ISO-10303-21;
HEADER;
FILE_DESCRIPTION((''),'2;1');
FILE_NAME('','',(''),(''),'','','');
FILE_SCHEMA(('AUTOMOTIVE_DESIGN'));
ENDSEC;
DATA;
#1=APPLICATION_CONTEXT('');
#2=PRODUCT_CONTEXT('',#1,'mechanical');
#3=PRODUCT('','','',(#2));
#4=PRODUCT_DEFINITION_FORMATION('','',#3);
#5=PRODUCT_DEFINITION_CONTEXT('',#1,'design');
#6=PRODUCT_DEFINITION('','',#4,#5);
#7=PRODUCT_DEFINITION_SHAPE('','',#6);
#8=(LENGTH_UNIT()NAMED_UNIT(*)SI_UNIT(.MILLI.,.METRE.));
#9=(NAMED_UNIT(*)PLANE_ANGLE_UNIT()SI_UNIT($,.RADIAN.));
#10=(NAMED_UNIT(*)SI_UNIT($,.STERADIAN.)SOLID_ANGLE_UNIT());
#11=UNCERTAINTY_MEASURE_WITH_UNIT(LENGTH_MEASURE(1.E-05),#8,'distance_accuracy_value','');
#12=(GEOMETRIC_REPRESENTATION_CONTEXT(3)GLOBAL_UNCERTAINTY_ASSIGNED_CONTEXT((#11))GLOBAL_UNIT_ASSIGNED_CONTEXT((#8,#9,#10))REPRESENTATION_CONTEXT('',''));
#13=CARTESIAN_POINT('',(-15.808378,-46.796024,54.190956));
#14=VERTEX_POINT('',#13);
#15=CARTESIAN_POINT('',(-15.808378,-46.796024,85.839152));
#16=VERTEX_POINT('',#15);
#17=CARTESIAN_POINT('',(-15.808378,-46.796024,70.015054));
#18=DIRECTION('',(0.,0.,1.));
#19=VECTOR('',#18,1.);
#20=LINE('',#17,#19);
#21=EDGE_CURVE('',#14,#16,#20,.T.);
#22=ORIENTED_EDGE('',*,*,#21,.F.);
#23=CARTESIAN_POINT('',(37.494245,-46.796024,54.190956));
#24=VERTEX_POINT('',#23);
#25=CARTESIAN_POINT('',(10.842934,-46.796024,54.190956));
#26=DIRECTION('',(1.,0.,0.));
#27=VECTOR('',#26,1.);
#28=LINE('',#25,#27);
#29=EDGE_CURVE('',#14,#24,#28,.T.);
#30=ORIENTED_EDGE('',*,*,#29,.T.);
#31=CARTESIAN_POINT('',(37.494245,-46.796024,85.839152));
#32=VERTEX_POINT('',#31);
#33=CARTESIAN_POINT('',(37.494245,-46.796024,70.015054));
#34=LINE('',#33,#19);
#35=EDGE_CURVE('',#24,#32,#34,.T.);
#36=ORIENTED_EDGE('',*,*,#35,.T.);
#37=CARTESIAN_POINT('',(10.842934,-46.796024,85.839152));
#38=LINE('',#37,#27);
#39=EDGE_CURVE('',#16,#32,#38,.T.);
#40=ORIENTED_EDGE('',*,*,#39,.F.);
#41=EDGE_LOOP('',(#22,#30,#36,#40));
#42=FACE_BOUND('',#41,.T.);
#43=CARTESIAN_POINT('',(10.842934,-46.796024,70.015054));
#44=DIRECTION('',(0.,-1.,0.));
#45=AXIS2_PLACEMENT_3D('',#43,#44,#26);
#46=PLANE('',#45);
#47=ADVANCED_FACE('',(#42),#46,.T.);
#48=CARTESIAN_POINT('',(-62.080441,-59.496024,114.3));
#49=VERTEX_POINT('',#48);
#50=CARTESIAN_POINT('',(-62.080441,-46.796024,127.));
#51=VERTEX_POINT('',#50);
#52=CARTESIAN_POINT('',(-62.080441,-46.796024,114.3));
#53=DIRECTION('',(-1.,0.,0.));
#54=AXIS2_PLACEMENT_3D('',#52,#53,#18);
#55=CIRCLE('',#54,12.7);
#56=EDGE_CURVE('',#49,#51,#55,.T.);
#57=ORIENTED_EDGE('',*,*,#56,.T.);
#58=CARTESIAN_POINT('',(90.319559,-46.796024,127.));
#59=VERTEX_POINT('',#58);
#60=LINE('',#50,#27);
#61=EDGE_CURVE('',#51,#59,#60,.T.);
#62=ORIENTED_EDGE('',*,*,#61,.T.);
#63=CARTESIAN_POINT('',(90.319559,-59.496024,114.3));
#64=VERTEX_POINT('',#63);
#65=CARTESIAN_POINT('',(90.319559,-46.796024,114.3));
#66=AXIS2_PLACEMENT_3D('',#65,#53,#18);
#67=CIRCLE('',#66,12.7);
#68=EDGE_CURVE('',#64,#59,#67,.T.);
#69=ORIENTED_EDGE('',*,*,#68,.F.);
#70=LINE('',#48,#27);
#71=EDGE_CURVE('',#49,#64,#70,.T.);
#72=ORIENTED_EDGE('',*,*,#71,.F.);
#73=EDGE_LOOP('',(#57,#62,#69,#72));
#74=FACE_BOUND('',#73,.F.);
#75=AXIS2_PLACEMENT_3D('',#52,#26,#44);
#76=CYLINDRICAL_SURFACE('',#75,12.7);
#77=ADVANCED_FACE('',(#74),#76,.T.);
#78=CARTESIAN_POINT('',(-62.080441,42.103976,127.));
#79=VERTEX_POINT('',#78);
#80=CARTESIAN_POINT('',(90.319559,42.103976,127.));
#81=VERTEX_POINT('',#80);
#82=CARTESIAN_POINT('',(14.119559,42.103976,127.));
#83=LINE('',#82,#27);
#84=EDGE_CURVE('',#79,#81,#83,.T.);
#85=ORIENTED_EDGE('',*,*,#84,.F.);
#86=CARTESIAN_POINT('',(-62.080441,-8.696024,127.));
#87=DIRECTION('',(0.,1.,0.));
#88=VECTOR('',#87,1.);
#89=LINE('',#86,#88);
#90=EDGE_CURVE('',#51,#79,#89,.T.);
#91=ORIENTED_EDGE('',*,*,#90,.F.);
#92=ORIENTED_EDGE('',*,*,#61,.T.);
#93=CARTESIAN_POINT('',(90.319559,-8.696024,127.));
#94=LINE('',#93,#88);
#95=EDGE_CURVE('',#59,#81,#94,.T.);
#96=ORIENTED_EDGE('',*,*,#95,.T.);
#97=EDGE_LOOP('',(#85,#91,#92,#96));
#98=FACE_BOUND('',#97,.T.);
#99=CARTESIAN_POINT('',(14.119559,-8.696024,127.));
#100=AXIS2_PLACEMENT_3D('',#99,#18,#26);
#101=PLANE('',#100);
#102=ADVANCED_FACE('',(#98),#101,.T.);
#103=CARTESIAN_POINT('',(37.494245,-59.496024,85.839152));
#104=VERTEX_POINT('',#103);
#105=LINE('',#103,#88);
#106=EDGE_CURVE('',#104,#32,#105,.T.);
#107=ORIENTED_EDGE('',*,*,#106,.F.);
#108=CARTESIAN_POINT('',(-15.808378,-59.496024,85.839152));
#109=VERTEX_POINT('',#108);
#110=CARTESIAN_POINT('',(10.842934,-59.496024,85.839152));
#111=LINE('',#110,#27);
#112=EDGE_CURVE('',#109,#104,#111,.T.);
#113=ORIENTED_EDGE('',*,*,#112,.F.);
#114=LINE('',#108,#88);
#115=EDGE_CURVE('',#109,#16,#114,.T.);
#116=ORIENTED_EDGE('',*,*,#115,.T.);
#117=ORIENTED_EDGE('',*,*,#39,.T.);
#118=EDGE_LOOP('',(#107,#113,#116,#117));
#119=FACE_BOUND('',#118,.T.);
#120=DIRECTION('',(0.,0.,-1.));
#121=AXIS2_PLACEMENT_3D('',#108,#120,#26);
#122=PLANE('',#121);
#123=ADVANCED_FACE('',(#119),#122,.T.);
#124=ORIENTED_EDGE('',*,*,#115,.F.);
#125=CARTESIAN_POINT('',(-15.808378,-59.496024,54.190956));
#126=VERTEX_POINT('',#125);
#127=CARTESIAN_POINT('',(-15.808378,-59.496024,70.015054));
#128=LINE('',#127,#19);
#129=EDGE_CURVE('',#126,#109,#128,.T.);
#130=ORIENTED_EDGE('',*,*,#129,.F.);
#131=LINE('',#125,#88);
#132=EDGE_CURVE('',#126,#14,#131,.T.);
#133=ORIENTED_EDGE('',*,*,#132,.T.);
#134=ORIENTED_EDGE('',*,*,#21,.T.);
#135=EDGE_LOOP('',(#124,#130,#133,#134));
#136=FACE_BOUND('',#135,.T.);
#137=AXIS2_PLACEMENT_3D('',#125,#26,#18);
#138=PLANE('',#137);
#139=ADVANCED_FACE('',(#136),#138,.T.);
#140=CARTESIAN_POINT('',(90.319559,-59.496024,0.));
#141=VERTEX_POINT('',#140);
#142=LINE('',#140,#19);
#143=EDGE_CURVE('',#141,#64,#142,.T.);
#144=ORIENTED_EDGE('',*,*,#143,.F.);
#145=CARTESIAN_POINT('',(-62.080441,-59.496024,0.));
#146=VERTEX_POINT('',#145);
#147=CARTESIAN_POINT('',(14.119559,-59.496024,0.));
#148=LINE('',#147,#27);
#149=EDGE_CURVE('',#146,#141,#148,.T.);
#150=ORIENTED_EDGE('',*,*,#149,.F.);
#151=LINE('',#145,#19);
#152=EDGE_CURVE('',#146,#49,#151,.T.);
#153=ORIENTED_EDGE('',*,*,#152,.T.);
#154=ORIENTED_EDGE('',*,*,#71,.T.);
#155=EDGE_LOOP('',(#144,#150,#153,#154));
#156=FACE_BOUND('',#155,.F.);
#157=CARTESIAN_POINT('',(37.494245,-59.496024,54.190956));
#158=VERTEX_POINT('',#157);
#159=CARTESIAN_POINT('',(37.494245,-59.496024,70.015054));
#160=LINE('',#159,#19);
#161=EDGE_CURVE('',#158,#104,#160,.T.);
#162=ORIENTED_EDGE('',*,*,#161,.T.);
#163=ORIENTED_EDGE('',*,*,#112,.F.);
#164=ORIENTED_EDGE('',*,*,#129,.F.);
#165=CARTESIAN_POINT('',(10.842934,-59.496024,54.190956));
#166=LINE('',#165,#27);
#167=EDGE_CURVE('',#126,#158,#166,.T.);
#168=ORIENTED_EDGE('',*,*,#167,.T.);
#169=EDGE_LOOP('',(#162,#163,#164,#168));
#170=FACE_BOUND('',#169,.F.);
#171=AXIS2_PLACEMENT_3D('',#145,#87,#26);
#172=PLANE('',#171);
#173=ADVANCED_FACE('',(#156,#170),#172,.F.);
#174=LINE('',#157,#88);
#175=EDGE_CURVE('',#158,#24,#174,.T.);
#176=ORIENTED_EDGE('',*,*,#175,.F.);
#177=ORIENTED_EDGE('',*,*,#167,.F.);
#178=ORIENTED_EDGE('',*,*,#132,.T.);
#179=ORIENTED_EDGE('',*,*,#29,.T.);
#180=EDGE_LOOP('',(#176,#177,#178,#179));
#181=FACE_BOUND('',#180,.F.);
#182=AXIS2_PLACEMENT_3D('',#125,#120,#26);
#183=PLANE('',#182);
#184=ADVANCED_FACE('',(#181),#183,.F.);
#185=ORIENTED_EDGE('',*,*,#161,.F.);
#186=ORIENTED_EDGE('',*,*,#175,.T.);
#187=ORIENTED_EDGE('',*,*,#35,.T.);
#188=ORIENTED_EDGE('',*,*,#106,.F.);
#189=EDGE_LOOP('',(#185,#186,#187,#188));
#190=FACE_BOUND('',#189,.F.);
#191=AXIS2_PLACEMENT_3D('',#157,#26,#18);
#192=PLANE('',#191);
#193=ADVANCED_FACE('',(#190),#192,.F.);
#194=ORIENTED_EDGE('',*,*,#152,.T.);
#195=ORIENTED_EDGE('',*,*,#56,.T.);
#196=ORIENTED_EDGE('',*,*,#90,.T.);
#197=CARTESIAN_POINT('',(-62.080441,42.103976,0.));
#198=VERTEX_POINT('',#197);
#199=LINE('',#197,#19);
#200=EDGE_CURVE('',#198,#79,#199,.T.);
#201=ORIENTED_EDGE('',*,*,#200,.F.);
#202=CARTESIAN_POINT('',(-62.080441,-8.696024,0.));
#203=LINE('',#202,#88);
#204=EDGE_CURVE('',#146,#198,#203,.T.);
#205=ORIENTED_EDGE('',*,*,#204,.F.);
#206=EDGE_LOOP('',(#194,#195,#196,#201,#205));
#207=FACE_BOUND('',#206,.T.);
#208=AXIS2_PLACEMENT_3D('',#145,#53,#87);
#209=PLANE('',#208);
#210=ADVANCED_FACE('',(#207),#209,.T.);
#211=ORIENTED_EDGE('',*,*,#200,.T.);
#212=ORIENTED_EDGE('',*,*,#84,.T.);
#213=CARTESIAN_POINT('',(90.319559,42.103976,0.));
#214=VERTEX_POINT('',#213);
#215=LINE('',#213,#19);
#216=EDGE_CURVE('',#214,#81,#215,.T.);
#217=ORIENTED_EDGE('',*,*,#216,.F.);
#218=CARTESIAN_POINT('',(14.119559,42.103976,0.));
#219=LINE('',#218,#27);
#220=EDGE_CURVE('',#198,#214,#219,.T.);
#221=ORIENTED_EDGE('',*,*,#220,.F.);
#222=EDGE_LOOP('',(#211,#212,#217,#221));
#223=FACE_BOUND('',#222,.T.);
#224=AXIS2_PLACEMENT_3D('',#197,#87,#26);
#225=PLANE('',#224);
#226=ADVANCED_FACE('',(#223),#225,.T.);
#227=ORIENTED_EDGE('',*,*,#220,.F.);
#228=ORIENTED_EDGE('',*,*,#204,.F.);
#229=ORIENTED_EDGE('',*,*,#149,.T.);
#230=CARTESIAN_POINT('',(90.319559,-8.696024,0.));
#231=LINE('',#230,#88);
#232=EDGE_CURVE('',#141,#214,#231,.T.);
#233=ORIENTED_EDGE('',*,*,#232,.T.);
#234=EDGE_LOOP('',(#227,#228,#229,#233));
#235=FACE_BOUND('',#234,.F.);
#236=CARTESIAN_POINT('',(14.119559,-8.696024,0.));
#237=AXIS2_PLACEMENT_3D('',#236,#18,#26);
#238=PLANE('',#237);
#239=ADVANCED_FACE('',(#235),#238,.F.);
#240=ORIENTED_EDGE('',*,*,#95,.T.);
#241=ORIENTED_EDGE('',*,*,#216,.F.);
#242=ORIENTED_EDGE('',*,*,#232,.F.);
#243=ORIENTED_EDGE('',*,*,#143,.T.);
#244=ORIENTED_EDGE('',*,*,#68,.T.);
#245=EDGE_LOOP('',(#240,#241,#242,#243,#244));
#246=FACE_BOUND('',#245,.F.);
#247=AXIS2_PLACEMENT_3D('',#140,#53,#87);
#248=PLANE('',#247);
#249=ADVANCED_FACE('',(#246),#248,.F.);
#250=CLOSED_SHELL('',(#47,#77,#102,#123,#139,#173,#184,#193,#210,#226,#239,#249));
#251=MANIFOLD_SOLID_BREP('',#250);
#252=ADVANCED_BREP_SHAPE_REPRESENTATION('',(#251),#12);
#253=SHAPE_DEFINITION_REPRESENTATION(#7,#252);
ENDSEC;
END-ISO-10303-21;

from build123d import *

# Parameters (mm, degrees)
F0_W     = 152.4
F0_H     = 101.6
F1_DEPTH = 127
F2_R     = 12.7
F3_W     = 53.302623
F3_H     = 31.648196
F4_DEPTH = 12.7


with BuildPart() as f1:
    # F0 (on Top) → F1 (new body)
    with BuildSketch(Plane.XY):
        with Locations((14.119559, -8.696024)):
            Rectangle(F0_W, F0_H)
    extrude(amount=F1_DEPTH)

    # F2
    f2_edges = [f1.edges().sort_by_distance(p)[0] for p in [
        (14.119559, -59.496024, 127),
    ]]
    fillet(f2_edges, radius=F2_R)

    # F3 (on face) → F4 (cut)
    with BuildSketch(Plane.XZ.offset(59.496024)):
        with Locations((10.842934, 70.015054)):
            Rectangle(F3_W, F3_H)
    extrude(amount=-F4_DEPTH, mode=Mode.SUBTRACT)


solid = f1.part
